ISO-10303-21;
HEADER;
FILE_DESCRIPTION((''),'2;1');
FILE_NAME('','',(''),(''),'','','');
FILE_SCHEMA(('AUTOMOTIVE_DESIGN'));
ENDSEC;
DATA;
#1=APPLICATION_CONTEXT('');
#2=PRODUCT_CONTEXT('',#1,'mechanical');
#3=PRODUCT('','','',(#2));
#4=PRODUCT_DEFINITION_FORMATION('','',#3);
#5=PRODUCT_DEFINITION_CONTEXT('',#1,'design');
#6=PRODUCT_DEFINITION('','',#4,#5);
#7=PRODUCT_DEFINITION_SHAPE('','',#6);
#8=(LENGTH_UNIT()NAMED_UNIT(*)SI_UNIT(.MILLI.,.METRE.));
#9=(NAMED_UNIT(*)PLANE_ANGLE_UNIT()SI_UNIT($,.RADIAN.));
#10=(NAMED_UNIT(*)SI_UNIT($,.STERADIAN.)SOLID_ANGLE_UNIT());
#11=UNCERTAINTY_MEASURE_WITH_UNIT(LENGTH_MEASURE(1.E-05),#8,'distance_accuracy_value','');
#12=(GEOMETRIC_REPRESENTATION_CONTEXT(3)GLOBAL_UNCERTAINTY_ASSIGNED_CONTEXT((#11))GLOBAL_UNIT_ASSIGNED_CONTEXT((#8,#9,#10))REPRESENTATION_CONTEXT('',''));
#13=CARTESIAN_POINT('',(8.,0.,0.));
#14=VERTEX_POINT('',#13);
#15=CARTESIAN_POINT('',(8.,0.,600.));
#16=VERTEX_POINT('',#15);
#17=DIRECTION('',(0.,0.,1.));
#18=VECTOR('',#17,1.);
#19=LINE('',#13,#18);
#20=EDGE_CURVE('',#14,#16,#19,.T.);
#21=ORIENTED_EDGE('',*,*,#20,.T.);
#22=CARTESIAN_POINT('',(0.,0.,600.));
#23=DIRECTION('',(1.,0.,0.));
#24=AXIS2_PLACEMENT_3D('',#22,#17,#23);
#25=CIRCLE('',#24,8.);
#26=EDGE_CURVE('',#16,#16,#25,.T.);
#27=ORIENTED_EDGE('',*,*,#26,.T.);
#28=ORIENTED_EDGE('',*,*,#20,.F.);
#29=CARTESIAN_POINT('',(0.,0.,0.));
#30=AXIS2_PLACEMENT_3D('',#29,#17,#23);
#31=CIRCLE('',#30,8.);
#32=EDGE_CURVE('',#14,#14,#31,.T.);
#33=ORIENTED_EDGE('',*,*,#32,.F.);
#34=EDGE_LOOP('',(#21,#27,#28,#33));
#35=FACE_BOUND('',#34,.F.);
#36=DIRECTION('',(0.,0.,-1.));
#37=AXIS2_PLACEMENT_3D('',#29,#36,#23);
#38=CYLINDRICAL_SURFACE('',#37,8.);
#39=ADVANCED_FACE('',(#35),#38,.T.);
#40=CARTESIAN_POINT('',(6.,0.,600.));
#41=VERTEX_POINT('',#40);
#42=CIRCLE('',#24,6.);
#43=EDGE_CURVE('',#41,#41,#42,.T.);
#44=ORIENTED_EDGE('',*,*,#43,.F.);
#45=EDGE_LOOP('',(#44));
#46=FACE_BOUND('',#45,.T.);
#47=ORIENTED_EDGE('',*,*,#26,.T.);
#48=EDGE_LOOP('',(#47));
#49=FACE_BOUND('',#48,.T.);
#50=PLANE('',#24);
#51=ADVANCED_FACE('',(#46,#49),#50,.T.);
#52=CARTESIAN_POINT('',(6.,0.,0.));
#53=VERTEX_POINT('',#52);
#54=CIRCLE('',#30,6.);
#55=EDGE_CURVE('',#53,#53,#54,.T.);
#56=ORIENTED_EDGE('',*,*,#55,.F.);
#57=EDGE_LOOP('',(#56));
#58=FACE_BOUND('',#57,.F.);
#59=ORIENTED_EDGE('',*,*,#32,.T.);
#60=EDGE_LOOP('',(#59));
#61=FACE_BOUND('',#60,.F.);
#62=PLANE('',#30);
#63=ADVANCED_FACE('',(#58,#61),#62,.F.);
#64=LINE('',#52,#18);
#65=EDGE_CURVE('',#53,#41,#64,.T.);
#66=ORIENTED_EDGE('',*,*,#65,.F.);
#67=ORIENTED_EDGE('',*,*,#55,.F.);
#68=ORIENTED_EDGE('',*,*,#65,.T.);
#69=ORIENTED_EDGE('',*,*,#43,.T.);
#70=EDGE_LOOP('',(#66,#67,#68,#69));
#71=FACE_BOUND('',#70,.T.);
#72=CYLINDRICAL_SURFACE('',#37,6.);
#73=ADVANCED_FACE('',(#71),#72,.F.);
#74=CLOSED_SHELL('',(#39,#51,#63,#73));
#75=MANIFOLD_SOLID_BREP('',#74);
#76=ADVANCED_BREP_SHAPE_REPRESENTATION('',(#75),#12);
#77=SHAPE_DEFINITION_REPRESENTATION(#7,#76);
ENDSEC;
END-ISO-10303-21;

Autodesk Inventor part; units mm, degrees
ref_plane "YZ Plane" through (0, 0, 0) normal (1, 0, 0) x (0, 1, 0)
ref_plane "XZ Plane" through (0, 0, 0) normal (0, 1, 0) x (-1, 0, 0)
ref_plane "XY Plane" through (0, 0, 0) normal (0, 0, 1) x (1, 0, 0)
sketch "Esquisse1" plane through (0, 0, 0) normal (0, 0, 1) x (1, 0, 0)
  circle A0 centre (0, 0) radius 6
  circle A1 centre (0, 0) radius 8
  dimension "d0" = 2
  dimension "d1" = 16
  dimension "d2" = 12
extrude "Extrusion1" add sketch "Esquisse1" along normal blind 600
thread "Filetage1" size "M16x1" class "6g" standard "ISO Metric profile" length 14
properties part number "tube_canon" material "Aluminium 6061"
